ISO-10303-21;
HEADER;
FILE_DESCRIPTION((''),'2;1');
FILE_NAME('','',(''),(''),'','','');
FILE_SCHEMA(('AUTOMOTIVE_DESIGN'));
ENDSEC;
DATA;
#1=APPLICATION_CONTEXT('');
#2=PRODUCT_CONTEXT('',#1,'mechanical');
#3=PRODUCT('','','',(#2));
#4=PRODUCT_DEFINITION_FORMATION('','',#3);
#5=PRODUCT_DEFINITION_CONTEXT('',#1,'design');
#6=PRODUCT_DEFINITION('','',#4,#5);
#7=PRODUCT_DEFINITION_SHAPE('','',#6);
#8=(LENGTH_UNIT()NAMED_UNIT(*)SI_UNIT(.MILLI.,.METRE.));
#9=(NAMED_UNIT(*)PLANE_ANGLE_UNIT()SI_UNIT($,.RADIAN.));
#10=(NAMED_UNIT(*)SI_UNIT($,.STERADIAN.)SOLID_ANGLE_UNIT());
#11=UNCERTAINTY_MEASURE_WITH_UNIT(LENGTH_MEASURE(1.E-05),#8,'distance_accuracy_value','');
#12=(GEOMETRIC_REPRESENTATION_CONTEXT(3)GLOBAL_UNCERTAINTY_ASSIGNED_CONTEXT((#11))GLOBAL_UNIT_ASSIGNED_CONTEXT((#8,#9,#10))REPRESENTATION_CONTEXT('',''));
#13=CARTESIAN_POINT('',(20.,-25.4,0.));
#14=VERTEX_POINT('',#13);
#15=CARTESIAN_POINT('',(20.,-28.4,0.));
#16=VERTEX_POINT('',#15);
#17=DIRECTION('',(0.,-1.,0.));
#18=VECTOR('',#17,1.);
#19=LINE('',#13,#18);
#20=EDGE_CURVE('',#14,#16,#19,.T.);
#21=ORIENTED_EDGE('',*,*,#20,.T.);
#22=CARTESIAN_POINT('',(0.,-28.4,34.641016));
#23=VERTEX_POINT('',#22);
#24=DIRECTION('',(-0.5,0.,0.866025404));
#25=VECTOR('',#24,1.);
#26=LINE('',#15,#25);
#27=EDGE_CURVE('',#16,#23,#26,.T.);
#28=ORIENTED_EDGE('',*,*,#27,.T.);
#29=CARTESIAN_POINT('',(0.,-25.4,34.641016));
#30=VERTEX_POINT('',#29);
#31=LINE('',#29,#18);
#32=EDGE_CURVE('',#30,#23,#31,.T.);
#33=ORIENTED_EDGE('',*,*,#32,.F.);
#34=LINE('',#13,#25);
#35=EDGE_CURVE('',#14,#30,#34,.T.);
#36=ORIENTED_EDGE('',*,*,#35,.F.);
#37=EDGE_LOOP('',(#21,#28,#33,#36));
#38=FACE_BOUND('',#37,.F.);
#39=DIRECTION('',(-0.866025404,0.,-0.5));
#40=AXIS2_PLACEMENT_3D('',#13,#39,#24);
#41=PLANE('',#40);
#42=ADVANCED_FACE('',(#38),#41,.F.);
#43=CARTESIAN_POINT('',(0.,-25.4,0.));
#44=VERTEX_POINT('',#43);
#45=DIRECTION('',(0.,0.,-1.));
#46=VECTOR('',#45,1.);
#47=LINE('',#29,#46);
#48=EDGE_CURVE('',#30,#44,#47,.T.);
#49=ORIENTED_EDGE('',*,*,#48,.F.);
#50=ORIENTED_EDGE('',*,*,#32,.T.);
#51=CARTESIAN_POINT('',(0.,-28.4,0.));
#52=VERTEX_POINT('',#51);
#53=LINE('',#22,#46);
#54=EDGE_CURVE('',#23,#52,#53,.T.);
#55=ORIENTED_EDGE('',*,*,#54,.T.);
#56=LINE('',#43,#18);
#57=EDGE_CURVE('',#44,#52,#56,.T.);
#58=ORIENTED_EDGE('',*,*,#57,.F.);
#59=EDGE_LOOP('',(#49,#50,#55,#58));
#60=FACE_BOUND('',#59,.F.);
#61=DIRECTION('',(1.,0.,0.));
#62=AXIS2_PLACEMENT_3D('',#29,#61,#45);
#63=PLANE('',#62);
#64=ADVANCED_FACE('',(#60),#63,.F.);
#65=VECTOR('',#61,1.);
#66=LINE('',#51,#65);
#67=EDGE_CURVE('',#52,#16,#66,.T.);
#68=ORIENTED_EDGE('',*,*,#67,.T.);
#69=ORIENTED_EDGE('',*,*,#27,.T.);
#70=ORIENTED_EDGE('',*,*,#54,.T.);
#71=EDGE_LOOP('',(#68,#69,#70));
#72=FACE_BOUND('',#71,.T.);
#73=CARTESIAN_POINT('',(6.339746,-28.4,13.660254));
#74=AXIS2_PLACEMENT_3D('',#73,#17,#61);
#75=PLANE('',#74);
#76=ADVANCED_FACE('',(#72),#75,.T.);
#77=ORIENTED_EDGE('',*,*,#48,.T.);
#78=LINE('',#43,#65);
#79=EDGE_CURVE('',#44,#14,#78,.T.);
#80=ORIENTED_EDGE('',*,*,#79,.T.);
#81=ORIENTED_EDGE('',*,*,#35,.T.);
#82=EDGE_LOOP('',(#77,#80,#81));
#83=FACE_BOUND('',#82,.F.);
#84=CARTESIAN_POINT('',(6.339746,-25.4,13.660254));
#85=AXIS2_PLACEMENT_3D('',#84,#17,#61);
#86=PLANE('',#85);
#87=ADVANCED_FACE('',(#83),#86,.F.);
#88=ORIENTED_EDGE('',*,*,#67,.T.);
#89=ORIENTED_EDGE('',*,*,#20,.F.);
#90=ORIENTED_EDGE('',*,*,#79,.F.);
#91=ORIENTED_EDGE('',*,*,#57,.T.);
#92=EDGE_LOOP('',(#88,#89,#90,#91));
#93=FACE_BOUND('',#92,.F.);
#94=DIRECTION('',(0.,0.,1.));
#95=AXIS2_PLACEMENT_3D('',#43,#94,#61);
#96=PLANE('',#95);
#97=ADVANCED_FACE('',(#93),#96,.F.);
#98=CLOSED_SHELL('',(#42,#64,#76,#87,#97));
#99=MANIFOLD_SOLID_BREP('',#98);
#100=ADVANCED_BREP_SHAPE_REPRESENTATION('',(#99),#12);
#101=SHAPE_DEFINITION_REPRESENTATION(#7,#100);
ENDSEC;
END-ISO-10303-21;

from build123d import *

# Parameters (mm, degrees)
F1_DEPTH = 3


with BuildPart() as f1:
    # F0 (on Front) → F1 (new body)
    with BuildSketch(Plane.XZ):
        Polygon((0, 34.6410161514), (0, 0), (20, 0), align=None)
    extrude(amount=F1_DEPTH)


with BuildPart() as f1_1:
    # F2: moved
    add(f1.part.moved(Location((0, -25.4, 0))))


solid = f1_1.part
